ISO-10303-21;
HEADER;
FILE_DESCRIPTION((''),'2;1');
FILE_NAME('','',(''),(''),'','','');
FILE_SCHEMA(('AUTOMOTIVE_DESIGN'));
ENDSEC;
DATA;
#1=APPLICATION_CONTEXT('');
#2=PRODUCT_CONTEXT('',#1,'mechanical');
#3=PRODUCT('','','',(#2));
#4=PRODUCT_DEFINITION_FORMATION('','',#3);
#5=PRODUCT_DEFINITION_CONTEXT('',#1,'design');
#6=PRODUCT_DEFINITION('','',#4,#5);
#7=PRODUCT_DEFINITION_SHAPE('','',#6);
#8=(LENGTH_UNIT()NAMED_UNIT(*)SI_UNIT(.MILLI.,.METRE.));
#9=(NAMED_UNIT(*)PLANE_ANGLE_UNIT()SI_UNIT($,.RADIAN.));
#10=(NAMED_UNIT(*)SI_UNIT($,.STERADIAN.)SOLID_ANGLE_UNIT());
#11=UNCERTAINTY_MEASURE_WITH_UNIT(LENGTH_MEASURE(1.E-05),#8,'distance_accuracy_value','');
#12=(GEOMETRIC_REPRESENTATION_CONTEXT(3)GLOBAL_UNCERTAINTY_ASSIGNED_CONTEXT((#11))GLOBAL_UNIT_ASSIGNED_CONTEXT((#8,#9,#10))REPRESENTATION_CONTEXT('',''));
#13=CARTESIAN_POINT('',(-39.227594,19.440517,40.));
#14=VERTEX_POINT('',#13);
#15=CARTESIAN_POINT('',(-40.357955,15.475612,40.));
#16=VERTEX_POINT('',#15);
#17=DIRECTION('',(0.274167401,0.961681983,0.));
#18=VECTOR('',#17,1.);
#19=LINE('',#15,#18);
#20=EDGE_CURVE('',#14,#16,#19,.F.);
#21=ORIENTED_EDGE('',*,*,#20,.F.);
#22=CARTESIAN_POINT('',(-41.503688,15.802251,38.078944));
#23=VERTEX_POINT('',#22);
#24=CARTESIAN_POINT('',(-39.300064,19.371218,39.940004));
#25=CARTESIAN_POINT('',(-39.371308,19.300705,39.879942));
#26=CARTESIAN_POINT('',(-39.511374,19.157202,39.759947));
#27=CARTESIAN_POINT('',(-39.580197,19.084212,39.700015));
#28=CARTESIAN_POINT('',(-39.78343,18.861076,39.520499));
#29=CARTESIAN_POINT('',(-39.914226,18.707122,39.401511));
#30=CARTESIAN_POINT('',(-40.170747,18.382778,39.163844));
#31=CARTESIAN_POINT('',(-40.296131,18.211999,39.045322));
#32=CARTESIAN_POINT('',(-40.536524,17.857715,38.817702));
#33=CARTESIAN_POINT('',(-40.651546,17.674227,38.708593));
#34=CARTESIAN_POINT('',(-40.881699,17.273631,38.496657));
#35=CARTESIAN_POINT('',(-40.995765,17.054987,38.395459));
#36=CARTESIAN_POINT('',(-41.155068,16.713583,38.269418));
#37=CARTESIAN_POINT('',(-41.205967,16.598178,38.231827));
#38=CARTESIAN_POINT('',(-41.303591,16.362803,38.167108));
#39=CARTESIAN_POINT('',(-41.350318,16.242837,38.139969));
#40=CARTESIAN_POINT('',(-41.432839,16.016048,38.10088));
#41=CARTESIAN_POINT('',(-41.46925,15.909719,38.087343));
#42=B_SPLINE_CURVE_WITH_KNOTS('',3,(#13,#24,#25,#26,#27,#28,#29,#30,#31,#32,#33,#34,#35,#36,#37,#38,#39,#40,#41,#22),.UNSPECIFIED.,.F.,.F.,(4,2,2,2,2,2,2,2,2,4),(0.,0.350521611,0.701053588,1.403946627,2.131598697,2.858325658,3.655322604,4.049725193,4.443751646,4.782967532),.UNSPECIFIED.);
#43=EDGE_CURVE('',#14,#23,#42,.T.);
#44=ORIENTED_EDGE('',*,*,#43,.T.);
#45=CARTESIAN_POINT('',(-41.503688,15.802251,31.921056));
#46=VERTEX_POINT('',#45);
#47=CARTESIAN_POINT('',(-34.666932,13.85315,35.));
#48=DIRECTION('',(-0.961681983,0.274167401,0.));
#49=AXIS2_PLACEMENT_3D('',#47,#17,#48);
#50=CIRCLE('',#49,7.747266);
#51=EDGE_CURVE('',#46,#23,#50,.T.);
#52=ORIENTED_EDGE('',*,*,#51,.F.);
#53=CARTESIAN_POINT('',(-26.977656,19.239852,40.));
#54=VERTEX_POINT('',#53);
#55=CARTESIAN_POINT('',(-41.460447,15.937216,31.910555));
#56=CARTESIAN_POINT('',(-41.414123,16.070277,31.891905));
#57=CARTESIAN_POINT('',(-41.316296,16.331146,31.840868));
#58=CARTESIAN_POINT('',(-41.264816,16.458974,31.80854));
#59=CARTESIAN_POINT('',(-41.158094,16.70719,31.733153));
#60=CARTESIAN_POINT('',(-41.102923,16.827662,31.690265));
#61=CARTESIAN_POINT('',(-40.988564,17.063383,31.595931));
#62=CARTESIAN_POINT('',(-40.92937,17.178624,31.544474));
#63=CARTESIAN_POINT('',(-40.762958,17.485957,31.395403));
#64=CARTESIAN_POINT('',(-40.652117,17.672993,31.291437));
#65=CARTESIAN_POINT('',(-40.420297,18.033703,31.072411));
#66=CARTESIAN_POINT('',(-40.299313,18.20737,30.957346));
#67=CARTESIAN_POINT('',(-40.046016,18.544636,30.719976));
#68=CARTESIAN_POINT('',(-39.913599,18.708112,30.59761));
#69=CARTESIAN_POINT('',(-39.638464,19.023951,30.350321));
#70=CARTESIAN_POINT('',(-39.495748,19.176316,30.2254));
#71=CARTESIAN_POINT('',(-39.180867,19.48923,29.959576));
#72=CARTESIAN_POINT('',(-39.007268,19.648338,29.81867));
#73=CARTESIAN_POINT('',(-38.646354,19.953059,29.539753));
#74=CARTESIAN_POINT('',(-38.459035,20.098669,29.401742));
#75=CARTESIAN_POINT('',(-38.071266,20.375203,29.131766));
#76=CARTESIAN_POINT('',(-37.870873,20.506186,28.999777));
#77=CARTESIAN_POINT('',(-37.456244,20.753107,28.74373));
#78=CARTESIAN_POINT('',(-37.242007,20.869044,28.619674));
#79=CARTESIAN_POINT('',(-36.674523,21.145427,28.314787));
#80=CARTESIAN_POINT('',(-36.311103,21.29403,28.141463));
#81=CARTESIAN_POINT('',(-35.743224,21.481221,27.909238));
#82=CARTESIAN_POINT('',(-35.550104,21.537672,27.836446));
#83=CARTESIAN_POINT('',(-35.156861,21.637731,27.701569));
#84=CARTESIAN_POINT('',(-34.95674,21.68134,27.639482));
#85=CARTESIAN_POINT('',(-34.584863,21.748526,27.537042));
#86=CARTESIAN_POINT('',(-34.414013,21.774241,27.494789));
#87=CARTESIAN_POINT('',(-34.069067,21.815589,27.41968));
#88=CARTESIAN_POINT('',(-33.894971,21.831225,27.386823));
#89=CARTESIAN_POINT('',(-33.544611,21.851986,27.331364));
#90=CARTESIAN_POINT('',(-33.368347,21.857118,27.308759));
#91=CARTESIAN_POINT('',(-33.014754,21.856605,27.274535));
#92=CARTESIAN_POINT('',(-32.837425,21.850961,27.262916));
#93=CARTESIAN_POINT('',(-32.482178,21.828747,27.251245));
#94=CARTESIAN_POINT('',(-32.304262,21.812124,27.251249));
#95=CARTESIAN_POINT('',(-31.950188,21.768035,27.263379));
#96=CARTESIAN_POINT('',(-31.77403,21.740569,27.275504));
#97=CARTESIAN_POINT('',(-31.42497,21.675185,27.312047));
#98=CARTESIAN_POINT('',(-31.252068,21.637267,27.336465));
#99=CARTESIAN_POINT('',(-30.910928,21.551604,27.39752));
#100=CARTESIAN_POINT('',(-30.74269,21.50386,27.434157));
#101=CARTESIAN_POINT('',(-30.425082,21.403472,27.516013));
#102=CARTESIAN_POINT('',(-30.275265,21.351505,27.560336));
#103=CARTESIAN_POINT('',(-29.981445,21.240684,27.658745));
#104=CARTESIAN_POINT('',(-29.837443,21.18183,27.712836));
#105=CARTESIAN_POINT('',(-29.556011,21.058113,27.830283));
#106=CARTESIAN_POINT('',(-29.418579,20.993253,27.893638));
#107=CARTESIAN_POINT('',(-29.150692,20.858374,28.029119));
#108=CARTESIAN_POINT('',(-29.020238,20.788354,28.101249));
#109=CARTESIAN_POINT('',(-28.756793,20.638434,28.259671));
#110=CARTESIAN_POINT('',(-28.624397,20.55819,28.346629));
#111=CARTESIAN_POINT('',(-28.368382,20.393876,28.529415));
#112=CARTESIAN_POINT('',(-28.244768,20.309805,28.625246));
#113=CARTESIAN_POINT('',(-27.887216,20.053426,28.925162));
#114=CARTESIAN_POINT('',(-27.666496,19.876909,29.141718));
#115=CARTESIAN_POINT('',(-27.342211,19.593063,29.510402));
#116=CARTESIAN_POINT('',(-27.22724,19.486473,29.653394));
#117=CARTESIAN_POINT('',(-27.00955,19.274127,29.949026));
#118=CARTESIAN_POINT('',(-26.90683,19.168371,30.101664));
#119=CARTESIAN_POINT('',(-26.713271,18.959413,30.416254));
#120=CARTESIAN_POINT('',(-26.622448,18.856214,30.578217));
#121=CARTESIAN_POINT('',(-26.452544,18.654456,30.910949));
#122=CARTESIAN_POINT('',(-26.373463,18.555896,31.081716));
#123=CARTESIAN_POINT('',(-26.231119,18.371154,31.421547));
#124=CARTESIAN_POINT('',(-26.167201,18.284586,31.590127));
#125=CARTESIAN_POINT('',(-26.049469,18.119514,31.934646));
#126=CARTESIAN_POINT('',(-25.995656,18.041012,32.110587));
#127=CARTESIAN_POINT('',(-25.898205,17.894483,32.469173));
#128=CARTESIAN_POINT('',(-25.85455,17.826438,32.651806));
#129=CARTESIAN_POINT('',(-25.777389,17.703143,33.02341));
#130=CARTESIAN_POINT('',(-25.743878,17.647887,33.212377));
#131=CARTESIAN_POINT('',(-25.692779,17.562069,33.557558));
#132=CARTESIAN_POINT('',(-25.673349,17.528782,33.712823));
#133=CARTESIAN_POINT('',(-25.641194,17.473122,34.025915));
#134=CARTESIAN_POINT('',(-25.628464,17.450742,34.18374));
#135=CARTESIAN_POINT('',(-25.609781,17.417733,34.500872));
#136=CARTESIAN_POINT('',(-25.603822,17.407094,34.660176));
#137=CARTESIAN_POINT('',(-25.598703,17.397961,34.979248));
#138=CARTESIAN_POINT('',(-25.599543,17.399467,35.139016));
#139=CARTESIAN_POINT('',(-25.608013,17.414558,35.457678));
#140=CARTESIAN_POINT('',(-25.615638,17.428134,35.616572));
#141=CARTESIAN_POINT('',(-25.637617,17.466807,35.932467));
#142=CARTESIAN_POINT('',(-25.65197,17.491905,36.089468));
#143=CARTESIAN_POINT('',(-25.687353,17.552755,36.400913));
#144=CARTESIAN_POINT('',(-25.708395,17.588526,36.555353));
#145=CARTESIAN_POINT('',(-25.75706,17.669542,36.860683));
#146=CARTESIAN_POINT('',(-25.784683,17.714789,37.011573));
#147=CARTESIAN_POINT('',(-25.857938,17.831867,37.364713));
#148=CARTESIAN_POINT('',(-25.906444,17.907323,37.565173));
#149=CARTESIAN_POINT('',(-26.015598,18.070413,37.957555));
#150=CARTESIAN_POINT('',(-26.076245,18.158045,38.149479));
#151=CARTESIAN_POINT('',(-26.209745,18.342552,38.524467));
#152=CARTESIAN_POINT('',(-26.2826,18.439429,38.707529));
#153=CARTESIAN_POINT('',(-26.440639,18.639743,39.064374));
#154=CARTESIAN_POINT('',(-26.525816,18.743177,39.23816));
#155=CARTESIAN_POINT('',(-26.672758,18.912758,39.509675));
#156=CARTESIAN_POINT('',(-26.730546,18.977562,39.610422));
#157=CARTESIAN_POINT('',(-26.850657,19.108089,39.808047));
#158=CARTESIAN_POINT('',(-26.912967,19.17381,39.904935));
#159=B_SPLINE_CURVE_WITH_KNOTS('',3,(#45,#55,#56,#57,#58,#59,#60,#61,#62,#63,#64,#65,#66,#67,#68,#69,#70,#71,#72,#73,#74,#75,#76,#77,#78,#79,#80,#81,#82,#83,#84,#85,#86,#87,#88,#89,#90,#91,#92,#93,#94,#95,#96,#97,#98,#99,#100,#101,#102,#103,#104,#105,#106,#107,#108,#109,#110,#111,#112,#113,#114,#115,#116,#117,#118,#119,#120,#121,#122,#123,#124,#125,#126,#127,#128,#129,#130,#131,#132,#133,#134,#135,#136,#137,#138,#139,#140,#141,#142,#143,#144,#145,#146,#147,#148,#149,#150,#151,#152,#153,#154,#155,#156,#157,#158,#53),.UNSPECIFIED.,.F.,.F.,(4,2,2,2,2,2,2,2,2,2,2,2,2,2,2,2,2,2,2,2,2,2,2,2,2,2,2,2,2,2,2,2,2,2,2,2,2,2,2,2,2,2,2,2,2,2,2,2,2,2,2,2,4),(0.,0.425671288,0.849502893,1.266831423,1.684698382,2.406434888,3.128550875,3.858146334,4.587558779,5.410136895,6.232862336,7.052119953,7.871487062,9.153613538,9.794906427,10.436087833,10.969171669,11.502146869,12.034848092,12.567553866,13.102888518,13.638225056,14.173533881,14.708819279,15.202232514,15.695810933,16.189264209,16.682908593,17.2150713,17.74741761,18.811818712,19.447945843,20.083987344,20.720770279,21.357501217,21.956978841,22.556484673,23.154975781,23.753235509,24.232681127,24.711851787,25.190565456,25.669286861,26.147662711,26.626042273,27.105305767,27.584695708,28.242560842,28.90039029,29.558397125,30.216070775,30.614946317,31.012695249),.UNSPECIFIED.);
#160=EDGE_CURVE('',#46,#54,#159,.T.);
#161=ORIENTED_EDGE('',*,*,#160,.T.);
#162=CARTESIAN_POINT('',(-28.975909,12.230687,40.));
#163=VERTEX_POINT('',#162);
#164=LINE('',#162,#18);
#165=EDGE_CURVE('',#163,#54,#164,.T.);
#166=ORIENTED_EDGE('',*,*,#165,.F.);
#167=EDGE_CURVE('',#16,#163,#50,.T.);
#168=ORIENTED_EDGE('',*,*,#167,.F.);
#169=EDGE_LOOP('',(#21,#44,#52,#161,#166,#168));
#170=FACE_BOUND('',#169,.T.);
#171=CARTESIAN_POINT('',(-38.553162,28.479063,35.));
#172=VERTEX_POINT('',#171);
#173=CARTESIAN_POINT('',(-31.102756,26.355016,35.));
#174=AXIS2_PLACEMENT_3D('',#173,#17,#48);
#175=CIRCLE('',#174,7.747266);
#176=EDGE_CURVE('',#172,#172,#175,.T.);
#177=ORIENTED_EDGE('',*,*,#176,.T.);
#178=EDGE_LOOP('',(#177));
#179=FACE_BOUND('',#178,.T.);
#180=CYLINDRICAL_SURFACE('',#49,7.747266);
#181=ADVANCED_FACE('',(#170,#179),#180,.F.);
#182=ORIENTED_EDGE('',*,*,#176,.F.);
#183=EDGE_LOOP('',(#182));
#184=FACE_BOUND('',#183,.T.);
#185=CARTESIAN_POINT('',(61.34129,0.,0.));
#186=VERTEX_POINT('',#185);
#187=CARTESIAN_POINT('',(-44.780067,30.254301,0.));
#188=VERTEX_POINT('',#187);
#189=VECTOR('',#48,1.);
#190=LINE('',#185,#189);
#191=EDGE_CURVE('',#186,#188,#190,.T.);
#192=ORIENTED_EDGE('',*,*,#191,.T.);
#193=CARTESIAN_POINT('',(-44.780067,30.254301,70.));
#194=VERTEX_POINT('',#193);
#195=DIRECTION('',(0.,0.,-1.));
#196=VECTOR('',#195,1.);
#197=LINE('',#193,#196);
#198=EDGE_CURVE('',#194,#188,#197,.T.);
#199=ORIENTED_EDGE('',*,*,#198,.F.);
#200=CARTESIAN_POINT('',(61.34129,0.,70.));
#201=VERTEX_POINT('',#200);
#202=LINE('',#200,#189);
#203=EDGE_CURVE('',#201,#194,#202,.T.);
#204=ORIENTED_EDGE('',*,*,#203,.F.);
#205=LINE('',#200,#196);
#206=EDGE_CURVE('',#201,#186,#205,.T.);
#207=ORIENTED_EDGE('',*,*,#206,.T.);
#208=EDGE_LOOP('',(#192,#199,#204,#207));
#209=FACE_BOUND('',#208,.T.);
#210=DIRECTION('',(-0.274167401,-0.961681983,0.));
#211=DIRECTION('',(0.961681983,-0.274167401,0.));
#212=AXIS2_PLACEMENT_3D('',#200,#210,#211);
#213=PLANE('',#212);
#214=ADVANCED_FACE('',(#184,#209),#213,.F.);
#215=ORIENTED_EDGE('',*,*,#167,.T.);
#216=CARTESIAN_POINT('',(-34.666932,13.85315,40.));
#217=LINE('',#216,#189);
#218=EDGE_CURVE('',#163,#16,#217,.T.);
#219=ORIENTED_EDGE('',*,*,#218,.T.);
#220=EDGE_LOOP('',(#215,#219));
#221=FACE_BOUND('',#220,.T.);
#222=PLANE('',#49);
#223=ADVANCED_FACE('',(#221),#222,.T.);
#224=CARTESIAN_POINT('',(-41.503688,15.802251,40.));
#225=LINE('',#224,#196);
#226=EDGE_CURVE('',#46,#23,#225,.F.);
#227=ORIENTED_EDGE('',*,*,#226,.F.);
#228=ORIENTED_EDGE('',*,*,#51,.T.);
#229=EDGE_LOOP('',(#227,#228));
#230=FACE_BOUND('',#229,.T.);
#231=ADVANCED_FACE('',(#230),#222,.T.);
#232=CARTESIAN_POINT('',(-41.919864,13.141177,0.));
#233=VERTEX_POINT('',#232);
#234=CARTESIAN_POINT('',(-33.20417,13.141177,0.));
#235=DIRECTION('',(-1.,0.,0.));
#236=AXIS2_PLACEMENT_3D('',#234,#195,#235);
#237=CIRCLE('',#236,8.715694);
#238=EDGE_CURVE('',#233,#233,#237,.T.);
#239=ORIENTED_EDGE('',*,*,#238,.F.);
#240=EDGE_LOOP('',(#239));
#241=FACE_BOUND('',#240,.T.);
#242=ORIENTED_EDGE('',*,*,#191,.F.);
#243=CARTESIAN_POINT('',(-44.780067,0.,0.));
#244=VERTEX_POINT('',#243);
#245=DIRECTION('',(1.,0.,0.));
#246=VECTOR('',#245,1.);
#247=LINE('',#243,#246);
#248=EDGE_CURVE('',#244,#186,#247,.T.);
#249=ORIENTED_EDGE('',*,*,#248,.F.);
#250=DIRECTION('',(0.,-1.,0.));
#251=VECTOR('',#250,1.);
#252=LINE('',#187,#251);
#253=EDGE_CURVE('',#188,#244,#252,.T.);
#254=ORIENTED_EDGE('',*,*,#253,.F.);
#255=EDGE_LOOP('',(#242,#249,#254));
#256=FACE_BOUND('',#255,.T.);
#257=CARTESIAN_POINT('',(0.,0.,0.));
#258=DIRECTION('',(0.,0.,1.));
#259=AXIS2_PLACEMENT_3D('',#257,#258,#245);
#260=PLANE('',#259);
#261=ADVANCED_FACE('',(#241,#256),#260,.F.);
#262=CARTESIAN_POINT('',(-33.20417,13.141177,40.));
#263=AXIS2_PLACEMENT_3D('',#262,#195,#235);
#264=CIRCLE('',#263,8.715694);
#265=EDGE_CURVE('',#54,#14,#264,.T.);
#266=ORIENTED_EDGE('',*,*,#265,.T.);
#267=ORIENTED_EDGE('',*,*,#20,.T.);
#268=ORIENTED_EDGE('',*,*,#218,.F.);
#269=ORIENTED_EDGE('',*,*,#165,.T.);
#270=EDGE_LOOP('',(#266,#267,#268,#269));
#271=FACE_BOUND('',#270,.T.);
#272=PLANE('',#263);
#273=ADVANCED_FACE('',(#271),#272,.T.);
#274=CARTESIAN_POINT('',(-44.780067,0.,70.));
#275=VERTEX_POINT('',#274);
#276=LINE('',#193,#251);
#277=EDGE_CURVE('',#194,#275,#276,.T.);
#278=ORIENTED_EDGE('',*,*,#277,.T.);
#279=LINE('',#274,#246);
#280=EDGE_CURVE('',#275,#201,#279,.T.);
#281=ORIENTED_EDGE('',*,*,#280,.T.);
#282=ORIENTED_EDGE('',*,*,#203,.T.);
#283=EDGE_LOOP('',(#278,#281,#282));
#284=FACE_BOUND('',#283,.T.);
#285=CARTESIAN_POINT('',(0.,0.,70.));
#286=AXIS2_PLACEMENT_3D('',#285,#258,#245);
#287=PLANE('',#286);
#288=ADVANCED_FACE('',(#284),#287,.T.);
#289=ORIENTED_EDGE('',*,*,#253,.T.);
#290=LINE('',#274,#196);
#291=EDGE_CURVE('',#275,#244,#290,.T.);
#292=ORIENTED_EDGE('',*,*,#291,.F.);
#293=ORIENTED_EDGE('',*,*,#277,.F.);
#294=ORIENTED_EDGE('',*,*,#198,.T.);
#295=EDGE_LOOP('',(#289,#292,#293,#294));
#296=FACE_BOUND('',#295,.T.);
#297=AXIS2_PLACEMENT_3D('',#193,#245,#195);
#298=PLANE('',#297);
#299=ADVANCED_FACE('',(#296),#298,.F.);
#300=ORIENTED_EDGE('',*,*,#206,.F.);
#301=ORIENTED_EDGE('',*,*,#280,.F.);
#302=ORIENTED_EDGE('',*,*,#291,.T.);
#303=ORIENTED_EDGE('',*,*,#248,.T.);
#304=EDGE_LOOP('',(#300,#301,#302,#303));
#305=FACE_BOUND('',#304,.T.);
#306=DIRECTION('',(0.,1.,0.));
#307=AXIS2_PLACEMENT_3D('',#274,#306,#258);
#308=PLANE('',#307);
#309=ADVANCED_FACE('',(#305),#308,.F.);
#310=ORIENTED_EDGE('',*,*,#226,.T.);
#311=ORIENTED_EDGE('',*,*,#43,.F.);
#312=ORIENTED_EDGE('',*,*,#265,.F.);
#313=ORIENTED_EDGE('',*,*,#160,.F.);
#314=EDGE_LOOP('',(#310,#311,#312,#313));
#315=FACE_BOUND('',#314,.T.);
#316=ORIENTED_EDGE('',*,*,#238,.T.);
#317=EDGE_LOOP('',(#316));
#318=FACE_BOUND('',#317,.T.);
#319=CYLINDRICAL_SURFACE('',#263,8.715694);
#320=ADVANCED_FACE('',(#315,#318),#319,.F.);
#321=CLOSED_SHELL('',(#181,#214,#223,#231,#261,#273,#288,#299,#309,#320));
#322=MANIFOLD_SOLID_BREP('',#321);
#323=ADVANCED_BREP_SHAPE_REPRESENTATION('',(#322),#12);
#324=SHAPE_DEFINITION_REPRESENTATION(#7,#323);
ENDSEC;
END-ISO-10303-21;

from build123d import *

# Parameters (mm, degrees)
BOSS_EXTRUDE1_DEPTH = 70
SKETCH4_R           = 7.747265665
CUT_EXTRUDE1_DEPTH  = 13
SKETCH7_R           = 8.715693707
CUT_EXTRUDE2_DEPTH  = 40


with BuildPart() as part:
    # Sketch1 → Boss-Extrude1 (new body)
    with BuildSketch(Plane.XY):
        Polygon((-44.780066958, 0), (61.341290068, 0), (-44.780066958, 30.254301436), align=None)
    extrude(amount=BOSS_EXTRUDE1_DEPTH)

    # Sketch4 → Cut-Extrude1 (cut)
    with BuildSketch(Plane(origin=(4.610887587, 16.173357987, 0), x_dir=(0.961681983, -0.274167401, 0), z_dir=(0.274167401, 0.961681983, 0))):
        with Locations((-37.136646247, -35)):
            Circle(SKETCH4_R)
    extrude(amount=-CUT_EXTRUDE1_DEPTH, mode=Mode.SUBTRACT)

    # Sketch7 → Cut-Extrude2 (cut)
    with BuildSketch(Plane(origin=(0, 0, 0), x_dir=(-1, 0, 0), z_dir=(0, 0, -1))):
        with Locations((33.204170233, 13.141177122)):
            Circle(SKETCH7_R)
    extrude(amount=-CUT_EXTRUDE2_DEPTH, mode=Mode.SUBTRACT)


solid = part.part
